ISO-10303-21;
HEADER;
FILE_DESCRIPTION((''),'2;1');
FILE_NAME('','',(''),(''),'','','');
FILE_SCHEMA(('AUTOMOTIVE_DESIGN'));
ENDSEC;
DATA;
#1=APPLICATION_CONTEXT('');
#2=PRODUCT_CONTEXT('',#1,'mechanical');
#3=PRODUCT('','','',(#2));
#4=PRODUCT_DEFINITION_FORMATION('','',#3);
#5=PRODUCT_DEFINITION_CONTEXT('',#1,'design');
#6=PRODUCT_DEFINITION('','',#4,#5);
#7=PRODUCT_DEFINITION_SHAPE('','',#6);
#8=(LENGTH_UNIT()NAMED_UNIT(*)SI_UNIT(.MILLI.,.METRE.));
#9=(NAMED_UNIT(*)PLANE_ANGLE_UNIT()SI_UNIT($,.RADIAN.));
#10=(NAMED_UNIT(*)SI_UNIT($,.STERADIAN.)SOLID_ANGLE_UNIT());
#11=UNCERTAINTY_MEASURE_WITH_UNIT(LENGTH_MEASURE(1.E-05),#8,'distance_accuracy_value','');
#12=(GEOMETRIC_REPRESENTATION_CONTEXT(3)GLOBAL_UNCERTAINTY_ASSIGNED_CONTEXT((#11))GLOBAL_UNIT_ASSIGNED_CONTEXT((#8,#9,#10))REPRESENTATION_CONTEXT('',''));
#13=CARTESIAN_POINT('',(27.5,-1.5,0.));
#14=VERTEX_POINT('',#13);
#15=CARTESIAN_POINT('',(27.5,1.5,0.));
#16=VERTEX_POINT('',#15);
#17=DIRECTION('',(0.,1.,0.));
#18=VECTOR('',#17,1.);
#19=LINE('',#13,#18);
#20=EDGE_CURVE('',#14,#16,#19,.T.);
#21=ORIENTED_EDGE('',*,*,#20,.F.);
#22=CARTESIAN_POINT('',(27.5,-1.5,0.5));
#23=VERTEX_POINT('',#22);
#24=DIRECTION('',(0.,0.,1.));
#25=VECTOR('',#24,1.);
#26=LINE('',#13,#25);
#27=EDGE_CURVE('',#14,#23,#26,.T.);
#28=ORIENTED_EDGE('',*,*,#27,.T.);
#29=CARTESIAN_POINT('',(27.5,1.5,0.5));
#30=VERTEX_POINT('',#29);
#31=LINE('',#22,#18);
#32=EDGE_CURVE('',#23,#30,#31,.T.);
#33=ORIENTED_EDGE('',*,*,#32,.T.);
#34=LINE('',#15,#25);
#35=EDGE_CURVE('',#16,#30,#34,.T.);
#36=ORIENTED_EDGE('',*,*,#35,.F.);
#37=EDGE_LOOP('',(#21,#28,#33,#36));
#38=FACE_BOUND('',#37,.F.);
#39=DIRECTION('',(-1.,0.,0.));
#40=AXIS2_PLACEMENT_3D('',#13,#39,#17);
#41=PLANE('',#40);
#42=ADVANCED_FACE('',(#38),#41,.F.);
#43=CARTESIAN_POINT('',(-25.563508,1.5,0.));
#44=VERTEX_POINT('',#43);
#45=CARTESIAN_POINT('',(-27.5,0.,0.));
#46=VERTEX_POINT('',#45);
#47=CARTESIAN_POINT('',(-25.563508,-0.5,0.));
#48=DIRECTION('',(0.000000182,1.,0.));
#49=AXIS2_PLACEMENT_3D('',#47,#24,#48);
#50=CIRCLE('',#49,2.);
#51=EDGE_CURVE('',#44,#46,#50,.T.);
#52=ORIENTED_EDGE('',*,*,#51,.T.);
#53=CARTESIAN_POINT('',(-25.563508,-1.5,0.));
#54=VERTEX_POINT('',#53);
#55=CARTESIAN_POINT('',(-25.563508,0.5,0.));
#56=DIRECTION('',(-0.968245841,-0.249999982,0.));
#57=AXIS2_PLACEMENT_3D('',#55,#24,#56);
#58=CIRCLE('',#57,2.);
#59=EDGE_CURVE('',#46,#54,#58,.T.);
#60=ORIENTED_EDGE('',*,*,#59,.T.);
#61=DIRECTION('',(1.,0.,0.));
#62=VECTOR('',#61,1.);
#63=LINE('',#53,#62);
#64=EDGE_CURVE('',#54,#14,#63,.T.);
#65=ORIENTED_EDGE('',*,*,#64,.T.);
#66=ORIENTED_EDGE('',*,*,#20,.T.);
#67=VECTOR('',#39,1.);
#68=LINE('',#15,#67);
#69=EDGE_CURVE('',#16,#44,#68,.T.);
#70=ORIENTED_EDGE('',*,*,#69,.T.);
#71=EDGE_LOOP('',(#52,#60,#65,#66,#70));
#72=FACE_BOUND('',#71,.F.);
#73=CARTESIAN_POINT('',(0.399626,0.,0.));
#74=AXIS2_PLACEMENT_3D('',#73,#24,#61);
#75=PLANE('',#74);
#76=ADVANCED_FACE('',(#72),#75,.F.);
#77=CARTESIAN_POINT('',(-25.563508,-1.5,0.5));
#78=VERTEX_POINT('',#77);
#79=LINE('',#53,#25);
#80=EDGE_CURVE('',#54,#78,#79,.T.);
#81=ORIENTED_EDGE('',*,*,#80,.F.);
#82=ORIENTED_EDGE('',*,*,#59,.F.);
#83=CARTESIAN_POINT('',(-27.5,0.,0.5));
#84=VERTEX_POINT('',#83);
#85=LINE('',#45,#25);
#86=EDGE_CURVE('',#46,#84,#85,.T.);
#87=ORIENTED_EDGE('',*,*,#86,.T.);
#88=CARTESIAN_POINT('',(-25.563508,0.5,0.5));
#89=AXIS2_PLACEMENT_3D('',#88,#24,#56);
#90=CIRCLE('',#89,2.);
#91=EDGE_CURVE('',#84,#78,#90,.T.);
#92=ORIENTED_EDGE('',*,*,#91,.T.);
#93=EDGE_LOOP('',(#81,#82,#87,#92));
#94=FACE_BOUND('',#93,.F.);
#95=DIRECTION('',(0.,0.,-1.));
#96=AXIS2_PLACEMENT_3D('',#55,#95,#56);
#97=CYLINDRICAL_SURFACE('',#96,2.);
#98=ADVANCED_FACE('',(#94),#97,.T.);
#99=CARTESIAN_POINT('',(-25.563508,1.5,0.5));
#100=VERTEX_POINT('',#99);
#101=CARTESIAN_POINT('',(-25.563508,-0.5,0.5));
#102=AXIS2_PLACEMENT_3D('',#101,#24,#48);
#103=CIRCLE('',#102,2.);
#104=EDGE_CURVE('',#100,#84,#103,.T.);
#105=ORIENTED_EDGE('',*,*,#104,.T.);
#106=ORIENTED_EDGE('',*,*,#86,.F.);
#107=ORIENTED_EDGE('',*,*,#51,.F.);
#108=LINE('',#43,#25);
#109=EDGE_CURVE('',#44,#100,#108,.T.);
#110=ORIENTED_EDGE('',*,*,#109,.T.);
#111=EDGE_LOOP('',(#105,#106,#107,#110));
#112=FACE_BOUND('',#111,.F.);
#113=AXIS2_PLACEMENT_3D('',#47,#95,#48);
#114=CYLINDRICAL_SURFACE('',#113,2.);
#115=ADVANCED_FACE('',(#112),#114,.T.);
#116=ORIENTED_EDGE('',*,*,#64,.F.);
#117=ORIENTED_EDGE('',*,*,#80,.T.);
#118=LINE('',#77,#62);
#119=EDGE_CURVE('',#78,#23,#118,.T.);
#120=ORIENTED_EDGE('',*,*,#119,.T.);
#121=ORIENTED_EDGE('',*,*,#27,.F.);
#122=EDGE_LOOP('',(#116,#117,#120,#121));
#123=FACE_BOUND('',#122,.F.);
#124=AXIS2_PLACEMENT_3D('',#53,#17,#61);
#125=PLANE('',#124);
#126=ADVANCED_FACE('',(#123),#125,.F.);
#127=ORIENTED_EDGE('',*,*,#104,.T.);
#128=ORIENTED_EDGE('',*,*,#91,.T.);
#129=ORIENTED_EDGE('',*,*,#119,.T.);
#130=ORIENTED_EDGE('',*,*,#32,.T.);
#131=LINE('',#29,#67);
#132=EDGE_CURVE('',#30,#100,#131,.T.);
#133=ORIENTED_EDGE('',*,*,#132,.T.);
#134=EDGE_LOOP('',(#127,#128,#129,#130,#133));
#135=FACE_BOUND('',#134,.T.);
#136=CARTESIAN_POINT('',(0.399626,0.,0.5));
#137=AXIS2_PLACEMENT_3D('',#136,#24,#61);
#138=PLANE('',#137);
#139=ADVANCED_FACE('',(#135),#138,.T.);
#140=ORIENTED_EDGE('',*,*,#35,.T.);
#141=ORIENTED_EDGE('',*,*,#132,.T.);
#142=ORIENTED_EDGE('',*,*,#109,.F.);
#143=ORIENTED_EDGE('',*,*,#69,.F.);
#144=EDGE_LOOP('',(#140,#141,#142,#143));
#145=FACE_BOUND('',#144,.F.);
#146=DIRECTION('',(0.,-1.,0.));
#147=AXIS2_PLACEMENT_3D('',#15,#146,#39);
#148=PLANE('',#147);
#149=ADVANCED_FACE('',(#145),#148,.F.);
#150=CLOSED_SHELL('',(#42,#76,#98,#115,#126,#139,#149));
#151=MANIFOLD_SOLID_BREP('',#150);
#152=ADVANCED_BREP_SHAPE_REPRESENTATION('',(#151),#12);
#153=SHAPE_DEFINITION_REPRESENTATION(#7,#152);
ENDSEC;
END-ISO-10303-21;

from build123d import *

# Parameters (mm, degrees)
F1_DEPTH = 0.5


with BuildPart() as f1:
    # F0 (on Top) → F1 (new body)
    with BuildSketch(Plane.XY):
        with BuildLine():
            Line((27.5, -1.5), (27.5, 1.5))
            Line((27.5, 1.5), (-25.563508, 1.5))
            ThreePointArc((-25.563508, 1.5), (-26.788253, 1.081139), (-27.5, 0))
            ThreePointArc((-27.5, 0), (-26.788253, -1.081139), (-25.563508, -1.5))
            Line((-25.563508, -1.5), (27.5, -1.5))
        make_face()
    extrude(amount=F1_DEPTH)


solid = f1.part
